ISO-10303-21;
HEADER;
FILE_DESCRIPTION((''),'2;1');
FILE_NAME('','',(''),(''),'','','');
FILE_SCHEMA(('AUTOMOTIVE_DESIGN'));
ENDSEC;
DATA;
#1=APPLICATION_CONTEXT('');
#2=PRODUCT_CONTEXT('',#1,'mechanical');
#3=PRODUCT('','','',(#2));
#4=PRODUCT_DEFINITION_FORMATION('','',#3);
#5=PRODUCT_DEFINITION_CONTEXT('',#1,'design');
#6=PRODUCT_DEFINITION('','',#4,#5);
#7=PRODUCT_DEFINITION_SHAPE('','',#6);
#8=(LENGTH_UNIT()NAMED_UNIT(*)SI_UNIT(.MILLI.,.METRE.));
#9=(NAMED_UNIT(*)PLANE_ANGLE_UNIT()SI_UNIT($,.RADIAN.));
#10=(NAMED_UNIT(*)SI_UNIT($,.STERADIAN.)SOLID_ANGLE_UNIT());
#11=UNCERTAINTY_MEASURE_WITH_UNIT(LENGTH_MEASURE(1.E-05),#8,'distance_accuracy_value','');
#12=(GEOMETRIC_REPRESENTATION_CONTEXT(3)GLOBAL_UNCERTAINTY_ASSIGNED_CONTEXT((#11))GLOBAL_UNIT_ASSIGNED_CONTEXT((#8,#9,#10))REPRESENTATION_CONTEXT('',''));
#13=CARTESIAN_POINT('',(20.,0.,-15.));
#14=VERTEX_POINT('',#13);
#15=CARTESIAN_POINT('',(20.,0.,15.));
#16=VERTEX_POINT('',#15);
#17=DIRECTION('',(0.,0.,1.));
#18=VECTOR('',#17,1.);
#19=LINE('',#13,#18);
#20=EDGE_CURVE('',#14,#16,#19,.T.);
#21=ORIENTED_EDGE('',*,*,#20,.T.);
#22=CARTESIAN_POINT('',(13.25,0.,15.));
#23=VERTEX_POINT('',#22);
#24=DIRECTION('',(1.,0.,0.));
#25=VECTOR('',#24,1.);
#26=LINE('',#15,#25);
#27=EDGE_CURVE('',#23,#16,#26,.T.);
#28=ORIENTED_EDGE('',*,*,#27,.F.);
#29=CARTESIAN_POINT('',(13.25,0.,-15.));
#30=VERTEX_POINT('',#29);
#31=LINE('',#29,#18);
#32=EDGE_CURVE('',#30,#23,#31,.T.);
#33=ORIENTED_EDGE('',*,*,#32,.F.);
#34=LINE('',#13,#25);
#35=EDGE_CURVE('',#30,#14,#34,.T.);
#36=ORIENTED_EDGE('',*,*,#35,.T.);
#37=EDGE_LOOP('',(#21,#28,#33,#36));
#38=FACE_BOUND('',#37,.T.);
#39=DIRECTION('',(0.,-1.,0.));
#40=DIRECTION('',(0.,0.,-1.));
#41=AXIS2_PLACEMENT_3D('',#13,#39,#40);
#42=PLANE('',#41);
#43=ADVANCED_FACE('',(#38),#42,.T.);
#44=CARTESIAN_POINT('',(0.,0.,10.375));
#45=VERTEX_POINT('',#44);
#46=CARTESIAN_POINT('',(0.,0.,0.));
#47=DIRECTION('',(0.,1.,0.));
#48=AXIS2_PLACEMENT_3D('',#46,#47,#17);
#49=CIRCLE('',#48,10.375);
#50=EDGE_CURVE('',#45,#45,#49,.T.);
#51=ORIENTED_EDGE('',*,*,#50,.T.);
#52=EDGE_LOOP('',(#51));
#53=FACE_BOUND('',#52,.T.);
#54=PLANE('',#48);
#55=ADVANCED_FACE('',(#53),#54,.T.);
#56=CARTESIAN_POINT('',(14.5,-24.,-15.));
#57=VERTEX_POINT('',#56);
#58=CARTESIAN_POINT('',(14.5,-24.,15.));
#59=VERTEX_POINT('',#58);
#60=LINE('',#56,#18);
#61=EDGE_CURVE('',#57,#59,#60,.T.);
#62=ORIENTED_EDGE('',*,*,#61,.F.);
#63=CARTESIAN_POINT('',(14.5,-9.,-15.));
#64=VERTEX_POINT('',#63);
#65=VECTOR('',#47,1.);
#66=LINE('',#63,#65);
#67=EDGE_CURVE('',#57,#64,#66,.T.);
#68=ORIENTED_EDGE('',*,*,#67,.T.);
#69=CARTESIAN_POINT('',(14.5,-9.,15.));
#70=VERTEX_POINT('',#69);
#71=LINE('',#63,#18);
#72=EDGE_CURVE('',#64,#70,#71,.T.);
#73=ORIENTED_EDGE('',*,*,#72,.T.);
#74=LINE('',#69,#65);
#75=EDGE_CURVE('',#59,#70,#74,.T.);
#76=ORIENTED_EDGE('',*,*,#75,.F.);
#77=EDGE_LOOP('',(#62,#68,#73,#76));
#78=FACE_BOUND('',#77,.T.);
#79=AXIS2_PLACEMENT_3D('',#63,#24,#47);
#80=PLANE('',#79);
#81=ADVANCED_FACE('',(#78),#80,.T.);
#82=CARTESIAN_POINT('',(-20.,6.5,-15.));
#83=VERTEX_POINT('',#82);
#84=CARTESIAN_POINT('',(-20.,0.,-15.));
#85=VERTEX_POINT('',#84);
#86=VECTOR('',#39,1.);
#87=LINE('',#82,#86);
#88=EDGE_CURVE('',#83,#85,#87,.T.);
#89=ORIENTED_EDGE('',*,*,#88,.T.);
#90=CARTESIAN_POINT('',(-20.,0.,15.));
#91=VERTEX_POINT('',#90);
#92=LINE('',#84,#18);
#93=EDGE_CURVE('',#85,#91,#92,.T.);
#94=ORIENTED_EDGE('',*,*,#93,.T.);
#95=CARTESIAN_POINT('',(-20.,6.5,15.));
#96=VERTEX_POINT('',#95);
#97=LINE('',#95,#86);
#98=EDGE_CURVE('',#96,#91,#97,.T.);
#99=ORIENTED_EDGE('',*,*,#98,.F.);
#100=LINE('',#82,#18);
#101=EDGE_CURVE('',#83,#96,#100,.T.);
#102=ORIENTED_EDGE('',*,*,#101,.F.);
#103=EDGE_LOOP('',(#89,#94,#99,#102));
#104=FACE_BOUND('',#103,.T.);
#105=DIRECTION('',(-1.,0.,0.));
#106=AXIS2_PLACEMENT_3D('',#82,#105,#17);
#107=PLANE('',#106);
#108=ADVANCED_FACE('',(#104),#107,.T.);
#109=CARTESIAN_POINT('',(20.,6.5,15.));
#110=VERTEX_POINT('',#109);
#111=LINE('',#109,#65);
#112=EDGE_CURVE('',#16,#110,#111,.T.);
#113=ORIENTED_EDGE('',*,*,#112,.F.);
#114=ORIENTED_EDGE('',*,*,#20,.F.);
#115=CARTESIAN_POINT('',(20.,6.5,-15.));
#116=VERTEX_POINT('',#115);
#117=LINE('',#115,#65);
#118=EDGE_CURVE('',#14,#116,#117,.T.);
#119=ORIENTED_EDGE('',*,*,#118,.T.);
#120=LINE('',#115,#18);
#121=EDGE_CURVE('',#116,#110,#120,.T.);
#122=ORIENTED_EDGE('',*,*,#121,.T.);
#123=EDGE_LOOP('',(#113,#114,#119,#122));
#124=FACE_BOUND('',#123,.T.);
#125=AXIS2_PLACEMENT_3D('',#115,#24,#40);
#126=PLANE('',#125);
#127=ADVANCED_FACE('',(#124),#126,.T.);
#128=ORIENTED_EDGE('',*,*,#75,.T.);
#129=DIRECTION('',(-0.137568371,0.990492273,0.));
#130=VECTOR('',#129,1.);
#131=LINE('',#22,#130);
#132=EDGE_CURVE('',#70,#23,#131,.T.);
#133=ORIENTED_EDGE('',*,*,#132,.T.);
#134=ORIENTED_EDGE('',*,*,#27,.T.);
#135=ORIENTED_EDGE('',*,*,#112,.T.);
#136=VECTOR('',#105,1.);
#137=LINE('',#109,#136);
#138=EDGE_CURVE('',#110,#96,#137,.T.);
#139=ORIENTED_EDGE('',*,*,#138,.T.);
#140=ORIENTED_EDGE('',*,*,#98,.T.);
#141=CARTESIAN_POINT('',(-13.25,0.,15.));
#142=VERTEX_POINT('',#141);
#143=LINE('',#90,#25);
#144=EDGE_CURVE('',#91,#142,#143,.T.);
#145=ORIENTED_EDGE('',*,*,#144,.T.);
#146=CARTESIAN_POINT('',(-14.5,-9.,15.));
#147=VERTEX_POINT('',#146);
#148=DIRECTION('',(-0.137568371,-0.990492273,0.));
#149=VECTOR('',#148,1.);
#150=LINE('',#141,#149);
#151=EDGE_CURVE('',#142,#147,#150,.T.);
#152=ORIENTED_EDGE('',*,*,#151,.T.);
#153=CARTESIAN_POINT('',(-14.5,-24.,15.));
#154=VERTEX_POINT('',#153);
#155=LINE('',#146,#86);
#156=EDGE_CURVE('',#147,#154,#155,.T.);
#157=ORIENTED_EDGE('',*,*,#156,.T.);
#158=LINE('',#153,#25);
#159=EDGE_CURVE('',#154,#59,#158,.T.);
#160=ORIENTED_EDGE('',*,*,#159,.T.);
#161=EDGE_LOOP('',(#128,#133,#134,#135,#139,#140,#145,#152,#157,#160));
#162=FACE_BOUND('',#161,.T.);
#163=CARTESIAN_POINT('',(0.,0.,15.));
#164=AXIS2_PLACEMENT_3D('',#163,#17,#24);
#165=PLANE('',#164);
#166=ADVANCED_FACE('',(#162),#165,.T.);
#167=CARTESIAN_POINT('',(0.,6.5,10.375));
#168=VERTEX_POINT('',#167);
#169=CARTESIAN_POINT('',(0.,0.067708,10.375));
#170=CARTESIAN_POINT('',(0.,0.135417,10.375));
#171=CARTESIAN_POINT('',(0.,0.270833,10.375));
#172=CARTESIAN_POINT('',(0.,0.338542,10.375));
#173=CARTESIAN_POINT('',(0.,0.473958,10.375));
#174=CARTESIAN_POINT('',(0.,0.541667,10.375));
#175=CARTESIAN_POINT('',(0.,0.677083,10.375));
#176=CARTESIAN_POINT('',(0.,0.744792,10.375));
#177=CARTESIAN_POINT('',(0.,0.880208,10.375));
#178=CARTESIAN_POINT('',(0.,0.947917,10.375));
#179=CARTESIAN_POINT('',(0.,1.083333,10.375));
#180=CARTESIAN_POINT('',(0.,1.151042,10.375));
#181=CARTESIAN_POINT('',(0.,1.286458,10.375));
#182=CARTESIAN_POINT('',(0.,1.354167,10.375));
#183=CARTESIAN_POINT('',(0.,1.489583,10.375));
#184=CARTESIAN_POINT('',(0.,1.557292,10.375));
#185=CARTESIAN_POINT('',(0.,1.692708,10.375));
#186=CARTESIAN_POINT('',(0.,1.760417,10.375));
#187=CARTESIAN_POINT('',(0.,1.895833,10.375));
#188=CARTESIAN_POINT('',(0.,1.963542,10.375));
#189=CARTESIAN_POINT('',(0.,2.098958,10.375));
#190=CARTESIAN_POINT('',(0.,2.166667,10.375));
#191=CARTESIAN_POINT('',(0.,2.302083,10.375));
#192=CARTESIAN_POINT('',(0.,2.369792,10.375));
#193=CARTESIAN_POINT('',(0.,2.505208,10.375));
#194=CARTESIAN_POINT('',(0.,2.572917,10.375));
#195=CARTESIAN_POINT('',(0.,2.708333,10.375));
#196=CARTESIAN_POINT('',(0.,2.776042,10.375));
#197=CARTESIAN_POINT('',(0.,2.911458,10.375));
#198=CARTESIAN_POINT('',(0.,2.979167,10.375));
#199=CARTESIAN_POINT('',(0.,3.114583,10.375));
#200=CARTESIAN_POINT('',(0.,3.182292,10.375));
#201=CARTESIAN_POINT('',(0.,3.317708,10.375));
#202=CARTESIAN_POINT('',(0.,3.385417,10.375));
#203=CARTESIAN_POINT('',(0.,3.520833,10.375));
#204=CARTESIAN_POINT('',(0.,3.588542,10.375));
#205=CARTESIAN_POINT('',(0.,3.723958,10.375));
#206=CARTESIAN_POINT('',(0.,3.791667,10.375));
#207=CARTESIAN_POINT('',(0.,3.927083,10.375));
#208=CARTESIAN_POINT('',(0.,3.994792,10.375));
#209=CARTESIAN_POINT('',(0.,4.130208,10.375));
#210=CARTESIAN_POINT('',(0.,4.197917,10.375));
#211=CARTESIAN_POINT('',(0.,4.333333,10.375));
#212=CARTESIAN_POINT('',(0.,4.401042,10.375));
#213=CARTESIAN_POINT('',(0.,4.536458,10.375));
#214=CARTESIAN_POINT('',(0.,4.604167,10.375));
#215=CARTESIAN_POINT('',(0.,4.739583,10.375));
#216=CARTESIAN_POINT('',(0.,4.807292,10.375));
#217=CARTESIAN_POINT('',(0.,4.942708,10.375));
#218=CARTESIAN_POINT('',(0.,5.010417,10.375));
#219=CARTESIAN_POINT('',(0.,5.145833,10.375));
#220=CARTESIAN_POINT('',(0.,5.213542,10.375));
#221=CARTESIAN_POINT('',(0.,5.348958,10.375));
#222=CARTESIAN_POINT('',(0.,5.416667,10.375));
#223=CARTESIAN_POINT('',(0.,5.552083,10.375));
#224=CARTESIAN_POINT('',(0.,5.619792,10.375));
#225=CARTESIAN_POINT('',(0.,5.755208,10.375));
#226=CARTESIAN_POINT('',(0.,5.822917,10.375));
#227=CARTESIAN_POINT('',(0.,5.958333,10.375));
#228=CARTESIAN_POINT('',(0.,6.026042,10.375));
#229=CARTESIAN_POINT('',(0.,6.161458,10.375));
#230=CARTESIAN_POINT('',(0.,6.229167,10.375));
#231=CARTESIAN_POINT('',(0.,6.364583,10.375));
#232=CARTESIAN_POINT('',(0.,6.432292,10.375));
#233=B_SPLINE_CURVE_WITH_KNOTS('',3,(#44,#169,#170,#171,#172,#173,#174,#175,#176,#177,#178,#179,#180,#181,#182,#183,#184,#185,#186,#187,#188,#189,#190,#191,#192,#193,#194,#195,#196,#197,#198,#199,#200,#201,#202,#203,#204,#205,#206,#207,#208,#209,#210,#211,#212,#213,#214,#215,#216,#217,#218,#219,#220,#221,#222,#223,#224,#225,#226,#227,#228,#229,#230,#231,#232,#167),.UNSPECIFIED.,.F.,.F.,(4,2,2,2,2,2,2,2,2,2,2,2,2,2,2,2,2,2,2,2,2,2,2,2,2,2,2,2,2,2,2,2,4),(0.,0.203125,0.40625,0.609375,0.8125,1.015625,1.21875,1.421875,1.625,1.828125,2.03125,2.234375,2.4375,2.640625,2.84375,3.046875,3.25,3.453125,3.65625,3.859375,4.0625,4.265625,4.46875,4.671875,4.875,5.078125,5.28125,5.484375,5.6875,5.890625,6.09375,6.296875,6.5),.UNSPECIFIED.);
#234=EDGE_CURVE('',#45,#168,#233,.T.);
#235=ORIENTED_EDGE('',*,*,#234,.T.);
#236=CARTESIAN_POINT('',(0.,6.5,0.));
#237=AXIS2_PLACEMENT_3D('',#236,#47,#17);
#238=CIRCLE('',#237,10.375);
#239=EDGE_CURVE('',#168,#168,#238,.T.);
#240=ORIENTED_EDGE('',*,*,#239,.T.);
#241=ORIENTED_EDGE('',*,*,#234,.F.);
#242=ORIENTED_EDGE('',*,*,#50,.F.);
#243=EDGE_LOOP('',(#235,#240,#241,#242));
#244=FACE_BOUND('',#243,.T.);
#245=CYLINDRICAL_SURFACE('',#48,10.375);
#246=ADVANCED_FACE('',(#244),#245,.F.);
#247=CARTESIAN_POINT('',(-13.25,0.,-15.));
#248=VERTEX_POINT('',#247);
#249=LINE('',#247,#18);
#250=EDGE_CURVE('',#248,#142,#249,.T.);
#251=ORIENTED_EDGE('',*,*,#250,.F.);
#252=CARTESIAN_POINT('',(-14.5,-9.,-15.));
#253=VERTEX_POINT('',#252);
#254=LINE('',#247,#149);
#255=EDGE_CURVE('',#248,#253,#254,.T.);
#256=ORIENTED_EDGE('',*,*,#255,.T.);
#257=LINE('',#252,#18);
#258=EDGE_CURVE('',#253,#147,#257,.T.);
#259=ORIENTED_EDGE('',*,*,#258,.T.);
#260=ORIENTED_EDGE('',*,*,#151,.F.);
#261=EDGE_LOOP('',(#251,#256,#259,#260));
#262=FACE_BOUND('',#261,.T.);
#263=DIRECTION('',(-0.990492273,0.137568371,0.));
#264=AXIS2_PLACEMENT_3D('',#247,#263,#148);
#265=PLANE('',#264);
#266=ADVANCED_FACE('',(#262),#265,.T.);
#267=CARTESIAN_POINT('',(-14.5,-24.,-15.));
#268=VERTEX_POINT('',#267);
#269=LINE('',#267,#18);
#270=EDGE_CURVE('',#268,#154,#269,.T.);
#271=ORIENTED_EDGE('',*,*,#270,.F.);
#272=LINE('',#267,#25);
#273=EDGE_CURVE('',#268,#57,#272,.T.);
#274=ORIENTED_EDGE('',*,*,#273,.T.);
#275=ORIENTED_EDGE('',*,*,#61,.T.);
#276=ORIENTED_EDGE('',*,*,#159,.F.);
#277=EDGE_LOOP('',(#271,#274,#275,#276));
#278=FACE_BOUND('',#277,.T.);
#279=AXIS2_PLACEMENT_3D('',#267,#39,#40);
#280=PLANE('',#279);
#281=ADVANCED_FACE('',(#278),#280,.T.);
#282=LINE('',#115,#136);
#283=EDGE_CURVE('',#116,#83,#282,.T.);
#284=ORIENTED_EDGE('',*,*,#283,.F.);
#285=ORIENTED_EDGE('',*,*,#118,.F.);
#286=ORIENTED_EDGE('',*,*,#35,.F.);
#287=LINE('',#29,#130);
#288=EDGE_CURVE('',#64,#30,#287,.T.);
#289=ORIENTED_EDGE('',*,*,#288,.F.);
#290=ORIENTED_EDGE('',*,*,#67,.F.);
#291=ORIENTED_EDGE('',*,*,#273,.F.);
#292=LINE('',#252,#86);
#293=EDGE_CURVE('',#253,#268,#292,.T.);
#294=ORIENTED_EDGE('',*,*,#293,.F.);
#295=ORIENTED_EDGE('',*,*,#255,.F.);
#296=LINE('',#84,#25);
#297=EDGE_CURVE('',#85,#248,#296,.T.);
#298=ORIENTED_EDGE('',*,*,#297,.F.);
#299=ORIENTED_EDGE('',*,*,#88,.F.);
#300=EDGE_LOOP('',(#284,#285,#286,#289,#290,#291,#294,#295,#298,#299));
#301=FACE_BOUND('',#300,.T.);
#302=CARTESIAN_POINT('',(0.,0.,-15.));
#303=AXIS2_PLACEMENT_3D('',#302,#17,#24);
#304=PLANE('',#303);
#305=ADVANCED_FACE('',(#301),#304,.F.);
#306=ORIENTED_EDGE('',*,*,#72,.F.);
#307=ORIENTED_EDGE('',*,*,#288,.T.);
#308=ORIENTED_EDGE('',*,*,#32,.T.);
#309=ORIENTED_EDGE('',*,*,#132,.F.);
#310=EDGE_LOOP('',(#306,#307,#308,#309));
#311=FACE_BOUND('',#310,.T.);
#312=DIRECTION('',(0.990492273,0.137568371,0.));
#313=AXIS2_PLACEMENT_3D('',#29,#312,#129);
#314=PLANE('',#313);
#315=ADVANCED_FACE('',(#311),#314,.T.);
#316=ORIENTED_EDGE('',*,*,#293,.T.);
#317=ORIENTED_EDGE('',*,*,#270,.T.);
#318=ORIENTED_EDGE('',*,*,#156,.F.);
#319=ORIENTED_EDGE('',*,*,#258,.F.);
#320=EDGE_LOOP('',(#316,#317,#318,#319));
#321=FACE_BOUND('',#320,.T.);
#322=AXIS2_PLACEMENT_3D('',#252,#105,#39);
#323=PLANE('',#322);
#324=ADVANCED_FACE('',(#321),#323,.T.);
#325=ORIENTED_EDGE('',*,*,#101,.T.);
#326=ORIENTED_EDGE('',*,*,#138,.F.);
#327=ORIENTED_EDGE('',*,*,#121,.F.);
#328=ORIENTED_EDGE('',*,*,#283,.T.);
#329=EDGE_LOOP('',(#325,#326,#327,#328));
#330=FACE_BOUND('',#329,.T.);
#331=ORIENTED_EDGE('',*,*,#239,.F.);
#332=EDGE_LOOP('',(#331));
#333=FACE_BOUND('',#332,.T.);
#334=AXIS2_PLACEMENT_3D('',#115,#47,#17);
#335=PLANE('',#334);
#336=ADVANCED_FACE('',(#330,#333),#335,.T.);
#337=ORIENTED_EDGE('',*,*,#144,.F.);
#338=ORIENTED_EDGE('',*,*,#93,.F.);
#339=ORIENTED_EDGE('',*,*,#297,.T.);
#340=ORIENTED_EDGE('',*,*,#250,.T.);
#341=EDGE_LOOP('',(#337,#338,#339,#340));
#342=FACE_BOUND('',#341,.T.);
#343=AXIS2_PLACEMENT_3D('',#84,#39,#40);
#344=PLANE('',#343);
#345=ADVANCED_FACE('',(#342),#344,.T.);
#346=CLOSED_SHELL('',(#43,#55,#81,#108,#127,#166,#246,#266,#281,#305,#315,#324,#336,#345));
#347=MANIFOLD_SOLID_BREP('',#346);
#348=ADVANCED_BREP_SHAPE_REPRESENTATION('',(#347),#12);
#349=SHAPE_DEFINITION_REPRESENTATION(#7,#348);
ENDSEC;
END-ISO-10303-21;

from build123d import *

# Parameters (mm, degrees)
BOSS_EXTRUDE1_DEPTH      = 15
BOSS_EXTRUDE1_DEPTH_BACK = 15
SKETCH2_R                = 10.375
CUT_EXTRUDE1_DEPTH       = 6.5


with BuildPart() as part:
    # Sketch1 → Boss-Extrude1 (new, two sides: drawn at the far end of the back side and taken through both)
    with BuildSketch(Plane.XY.offset(-BOSS_EXTRUDE1_DEPTH_BACK)):
        Polygon((-20, 6.5), (-20, 0), (-13.25, 0), (-14.5, -9), (-14.5, -24), (14.5, -24), (14.5, -9), (13.25, 0), (20, 0), (20, 6.5), align=None)
    extrude(amount=BOSS_EXTRUDE1_DEPTH + BOSS_EXTRUDE1_DEPTH_BACK)

    # Sketch2 → Cut-Extrude1 (cut)
    with BuildSketch(Plane(origin=(0, 6.5, 0), x_dir=(1, 0, 0), z_dir=(0, 1, 0))):
        Circle(SKETCH2_R)
    extrude(amount=-CUT_EXTRUDE1_DEPTH, mode=Mode.SUBTRACT)


solid = part.part
